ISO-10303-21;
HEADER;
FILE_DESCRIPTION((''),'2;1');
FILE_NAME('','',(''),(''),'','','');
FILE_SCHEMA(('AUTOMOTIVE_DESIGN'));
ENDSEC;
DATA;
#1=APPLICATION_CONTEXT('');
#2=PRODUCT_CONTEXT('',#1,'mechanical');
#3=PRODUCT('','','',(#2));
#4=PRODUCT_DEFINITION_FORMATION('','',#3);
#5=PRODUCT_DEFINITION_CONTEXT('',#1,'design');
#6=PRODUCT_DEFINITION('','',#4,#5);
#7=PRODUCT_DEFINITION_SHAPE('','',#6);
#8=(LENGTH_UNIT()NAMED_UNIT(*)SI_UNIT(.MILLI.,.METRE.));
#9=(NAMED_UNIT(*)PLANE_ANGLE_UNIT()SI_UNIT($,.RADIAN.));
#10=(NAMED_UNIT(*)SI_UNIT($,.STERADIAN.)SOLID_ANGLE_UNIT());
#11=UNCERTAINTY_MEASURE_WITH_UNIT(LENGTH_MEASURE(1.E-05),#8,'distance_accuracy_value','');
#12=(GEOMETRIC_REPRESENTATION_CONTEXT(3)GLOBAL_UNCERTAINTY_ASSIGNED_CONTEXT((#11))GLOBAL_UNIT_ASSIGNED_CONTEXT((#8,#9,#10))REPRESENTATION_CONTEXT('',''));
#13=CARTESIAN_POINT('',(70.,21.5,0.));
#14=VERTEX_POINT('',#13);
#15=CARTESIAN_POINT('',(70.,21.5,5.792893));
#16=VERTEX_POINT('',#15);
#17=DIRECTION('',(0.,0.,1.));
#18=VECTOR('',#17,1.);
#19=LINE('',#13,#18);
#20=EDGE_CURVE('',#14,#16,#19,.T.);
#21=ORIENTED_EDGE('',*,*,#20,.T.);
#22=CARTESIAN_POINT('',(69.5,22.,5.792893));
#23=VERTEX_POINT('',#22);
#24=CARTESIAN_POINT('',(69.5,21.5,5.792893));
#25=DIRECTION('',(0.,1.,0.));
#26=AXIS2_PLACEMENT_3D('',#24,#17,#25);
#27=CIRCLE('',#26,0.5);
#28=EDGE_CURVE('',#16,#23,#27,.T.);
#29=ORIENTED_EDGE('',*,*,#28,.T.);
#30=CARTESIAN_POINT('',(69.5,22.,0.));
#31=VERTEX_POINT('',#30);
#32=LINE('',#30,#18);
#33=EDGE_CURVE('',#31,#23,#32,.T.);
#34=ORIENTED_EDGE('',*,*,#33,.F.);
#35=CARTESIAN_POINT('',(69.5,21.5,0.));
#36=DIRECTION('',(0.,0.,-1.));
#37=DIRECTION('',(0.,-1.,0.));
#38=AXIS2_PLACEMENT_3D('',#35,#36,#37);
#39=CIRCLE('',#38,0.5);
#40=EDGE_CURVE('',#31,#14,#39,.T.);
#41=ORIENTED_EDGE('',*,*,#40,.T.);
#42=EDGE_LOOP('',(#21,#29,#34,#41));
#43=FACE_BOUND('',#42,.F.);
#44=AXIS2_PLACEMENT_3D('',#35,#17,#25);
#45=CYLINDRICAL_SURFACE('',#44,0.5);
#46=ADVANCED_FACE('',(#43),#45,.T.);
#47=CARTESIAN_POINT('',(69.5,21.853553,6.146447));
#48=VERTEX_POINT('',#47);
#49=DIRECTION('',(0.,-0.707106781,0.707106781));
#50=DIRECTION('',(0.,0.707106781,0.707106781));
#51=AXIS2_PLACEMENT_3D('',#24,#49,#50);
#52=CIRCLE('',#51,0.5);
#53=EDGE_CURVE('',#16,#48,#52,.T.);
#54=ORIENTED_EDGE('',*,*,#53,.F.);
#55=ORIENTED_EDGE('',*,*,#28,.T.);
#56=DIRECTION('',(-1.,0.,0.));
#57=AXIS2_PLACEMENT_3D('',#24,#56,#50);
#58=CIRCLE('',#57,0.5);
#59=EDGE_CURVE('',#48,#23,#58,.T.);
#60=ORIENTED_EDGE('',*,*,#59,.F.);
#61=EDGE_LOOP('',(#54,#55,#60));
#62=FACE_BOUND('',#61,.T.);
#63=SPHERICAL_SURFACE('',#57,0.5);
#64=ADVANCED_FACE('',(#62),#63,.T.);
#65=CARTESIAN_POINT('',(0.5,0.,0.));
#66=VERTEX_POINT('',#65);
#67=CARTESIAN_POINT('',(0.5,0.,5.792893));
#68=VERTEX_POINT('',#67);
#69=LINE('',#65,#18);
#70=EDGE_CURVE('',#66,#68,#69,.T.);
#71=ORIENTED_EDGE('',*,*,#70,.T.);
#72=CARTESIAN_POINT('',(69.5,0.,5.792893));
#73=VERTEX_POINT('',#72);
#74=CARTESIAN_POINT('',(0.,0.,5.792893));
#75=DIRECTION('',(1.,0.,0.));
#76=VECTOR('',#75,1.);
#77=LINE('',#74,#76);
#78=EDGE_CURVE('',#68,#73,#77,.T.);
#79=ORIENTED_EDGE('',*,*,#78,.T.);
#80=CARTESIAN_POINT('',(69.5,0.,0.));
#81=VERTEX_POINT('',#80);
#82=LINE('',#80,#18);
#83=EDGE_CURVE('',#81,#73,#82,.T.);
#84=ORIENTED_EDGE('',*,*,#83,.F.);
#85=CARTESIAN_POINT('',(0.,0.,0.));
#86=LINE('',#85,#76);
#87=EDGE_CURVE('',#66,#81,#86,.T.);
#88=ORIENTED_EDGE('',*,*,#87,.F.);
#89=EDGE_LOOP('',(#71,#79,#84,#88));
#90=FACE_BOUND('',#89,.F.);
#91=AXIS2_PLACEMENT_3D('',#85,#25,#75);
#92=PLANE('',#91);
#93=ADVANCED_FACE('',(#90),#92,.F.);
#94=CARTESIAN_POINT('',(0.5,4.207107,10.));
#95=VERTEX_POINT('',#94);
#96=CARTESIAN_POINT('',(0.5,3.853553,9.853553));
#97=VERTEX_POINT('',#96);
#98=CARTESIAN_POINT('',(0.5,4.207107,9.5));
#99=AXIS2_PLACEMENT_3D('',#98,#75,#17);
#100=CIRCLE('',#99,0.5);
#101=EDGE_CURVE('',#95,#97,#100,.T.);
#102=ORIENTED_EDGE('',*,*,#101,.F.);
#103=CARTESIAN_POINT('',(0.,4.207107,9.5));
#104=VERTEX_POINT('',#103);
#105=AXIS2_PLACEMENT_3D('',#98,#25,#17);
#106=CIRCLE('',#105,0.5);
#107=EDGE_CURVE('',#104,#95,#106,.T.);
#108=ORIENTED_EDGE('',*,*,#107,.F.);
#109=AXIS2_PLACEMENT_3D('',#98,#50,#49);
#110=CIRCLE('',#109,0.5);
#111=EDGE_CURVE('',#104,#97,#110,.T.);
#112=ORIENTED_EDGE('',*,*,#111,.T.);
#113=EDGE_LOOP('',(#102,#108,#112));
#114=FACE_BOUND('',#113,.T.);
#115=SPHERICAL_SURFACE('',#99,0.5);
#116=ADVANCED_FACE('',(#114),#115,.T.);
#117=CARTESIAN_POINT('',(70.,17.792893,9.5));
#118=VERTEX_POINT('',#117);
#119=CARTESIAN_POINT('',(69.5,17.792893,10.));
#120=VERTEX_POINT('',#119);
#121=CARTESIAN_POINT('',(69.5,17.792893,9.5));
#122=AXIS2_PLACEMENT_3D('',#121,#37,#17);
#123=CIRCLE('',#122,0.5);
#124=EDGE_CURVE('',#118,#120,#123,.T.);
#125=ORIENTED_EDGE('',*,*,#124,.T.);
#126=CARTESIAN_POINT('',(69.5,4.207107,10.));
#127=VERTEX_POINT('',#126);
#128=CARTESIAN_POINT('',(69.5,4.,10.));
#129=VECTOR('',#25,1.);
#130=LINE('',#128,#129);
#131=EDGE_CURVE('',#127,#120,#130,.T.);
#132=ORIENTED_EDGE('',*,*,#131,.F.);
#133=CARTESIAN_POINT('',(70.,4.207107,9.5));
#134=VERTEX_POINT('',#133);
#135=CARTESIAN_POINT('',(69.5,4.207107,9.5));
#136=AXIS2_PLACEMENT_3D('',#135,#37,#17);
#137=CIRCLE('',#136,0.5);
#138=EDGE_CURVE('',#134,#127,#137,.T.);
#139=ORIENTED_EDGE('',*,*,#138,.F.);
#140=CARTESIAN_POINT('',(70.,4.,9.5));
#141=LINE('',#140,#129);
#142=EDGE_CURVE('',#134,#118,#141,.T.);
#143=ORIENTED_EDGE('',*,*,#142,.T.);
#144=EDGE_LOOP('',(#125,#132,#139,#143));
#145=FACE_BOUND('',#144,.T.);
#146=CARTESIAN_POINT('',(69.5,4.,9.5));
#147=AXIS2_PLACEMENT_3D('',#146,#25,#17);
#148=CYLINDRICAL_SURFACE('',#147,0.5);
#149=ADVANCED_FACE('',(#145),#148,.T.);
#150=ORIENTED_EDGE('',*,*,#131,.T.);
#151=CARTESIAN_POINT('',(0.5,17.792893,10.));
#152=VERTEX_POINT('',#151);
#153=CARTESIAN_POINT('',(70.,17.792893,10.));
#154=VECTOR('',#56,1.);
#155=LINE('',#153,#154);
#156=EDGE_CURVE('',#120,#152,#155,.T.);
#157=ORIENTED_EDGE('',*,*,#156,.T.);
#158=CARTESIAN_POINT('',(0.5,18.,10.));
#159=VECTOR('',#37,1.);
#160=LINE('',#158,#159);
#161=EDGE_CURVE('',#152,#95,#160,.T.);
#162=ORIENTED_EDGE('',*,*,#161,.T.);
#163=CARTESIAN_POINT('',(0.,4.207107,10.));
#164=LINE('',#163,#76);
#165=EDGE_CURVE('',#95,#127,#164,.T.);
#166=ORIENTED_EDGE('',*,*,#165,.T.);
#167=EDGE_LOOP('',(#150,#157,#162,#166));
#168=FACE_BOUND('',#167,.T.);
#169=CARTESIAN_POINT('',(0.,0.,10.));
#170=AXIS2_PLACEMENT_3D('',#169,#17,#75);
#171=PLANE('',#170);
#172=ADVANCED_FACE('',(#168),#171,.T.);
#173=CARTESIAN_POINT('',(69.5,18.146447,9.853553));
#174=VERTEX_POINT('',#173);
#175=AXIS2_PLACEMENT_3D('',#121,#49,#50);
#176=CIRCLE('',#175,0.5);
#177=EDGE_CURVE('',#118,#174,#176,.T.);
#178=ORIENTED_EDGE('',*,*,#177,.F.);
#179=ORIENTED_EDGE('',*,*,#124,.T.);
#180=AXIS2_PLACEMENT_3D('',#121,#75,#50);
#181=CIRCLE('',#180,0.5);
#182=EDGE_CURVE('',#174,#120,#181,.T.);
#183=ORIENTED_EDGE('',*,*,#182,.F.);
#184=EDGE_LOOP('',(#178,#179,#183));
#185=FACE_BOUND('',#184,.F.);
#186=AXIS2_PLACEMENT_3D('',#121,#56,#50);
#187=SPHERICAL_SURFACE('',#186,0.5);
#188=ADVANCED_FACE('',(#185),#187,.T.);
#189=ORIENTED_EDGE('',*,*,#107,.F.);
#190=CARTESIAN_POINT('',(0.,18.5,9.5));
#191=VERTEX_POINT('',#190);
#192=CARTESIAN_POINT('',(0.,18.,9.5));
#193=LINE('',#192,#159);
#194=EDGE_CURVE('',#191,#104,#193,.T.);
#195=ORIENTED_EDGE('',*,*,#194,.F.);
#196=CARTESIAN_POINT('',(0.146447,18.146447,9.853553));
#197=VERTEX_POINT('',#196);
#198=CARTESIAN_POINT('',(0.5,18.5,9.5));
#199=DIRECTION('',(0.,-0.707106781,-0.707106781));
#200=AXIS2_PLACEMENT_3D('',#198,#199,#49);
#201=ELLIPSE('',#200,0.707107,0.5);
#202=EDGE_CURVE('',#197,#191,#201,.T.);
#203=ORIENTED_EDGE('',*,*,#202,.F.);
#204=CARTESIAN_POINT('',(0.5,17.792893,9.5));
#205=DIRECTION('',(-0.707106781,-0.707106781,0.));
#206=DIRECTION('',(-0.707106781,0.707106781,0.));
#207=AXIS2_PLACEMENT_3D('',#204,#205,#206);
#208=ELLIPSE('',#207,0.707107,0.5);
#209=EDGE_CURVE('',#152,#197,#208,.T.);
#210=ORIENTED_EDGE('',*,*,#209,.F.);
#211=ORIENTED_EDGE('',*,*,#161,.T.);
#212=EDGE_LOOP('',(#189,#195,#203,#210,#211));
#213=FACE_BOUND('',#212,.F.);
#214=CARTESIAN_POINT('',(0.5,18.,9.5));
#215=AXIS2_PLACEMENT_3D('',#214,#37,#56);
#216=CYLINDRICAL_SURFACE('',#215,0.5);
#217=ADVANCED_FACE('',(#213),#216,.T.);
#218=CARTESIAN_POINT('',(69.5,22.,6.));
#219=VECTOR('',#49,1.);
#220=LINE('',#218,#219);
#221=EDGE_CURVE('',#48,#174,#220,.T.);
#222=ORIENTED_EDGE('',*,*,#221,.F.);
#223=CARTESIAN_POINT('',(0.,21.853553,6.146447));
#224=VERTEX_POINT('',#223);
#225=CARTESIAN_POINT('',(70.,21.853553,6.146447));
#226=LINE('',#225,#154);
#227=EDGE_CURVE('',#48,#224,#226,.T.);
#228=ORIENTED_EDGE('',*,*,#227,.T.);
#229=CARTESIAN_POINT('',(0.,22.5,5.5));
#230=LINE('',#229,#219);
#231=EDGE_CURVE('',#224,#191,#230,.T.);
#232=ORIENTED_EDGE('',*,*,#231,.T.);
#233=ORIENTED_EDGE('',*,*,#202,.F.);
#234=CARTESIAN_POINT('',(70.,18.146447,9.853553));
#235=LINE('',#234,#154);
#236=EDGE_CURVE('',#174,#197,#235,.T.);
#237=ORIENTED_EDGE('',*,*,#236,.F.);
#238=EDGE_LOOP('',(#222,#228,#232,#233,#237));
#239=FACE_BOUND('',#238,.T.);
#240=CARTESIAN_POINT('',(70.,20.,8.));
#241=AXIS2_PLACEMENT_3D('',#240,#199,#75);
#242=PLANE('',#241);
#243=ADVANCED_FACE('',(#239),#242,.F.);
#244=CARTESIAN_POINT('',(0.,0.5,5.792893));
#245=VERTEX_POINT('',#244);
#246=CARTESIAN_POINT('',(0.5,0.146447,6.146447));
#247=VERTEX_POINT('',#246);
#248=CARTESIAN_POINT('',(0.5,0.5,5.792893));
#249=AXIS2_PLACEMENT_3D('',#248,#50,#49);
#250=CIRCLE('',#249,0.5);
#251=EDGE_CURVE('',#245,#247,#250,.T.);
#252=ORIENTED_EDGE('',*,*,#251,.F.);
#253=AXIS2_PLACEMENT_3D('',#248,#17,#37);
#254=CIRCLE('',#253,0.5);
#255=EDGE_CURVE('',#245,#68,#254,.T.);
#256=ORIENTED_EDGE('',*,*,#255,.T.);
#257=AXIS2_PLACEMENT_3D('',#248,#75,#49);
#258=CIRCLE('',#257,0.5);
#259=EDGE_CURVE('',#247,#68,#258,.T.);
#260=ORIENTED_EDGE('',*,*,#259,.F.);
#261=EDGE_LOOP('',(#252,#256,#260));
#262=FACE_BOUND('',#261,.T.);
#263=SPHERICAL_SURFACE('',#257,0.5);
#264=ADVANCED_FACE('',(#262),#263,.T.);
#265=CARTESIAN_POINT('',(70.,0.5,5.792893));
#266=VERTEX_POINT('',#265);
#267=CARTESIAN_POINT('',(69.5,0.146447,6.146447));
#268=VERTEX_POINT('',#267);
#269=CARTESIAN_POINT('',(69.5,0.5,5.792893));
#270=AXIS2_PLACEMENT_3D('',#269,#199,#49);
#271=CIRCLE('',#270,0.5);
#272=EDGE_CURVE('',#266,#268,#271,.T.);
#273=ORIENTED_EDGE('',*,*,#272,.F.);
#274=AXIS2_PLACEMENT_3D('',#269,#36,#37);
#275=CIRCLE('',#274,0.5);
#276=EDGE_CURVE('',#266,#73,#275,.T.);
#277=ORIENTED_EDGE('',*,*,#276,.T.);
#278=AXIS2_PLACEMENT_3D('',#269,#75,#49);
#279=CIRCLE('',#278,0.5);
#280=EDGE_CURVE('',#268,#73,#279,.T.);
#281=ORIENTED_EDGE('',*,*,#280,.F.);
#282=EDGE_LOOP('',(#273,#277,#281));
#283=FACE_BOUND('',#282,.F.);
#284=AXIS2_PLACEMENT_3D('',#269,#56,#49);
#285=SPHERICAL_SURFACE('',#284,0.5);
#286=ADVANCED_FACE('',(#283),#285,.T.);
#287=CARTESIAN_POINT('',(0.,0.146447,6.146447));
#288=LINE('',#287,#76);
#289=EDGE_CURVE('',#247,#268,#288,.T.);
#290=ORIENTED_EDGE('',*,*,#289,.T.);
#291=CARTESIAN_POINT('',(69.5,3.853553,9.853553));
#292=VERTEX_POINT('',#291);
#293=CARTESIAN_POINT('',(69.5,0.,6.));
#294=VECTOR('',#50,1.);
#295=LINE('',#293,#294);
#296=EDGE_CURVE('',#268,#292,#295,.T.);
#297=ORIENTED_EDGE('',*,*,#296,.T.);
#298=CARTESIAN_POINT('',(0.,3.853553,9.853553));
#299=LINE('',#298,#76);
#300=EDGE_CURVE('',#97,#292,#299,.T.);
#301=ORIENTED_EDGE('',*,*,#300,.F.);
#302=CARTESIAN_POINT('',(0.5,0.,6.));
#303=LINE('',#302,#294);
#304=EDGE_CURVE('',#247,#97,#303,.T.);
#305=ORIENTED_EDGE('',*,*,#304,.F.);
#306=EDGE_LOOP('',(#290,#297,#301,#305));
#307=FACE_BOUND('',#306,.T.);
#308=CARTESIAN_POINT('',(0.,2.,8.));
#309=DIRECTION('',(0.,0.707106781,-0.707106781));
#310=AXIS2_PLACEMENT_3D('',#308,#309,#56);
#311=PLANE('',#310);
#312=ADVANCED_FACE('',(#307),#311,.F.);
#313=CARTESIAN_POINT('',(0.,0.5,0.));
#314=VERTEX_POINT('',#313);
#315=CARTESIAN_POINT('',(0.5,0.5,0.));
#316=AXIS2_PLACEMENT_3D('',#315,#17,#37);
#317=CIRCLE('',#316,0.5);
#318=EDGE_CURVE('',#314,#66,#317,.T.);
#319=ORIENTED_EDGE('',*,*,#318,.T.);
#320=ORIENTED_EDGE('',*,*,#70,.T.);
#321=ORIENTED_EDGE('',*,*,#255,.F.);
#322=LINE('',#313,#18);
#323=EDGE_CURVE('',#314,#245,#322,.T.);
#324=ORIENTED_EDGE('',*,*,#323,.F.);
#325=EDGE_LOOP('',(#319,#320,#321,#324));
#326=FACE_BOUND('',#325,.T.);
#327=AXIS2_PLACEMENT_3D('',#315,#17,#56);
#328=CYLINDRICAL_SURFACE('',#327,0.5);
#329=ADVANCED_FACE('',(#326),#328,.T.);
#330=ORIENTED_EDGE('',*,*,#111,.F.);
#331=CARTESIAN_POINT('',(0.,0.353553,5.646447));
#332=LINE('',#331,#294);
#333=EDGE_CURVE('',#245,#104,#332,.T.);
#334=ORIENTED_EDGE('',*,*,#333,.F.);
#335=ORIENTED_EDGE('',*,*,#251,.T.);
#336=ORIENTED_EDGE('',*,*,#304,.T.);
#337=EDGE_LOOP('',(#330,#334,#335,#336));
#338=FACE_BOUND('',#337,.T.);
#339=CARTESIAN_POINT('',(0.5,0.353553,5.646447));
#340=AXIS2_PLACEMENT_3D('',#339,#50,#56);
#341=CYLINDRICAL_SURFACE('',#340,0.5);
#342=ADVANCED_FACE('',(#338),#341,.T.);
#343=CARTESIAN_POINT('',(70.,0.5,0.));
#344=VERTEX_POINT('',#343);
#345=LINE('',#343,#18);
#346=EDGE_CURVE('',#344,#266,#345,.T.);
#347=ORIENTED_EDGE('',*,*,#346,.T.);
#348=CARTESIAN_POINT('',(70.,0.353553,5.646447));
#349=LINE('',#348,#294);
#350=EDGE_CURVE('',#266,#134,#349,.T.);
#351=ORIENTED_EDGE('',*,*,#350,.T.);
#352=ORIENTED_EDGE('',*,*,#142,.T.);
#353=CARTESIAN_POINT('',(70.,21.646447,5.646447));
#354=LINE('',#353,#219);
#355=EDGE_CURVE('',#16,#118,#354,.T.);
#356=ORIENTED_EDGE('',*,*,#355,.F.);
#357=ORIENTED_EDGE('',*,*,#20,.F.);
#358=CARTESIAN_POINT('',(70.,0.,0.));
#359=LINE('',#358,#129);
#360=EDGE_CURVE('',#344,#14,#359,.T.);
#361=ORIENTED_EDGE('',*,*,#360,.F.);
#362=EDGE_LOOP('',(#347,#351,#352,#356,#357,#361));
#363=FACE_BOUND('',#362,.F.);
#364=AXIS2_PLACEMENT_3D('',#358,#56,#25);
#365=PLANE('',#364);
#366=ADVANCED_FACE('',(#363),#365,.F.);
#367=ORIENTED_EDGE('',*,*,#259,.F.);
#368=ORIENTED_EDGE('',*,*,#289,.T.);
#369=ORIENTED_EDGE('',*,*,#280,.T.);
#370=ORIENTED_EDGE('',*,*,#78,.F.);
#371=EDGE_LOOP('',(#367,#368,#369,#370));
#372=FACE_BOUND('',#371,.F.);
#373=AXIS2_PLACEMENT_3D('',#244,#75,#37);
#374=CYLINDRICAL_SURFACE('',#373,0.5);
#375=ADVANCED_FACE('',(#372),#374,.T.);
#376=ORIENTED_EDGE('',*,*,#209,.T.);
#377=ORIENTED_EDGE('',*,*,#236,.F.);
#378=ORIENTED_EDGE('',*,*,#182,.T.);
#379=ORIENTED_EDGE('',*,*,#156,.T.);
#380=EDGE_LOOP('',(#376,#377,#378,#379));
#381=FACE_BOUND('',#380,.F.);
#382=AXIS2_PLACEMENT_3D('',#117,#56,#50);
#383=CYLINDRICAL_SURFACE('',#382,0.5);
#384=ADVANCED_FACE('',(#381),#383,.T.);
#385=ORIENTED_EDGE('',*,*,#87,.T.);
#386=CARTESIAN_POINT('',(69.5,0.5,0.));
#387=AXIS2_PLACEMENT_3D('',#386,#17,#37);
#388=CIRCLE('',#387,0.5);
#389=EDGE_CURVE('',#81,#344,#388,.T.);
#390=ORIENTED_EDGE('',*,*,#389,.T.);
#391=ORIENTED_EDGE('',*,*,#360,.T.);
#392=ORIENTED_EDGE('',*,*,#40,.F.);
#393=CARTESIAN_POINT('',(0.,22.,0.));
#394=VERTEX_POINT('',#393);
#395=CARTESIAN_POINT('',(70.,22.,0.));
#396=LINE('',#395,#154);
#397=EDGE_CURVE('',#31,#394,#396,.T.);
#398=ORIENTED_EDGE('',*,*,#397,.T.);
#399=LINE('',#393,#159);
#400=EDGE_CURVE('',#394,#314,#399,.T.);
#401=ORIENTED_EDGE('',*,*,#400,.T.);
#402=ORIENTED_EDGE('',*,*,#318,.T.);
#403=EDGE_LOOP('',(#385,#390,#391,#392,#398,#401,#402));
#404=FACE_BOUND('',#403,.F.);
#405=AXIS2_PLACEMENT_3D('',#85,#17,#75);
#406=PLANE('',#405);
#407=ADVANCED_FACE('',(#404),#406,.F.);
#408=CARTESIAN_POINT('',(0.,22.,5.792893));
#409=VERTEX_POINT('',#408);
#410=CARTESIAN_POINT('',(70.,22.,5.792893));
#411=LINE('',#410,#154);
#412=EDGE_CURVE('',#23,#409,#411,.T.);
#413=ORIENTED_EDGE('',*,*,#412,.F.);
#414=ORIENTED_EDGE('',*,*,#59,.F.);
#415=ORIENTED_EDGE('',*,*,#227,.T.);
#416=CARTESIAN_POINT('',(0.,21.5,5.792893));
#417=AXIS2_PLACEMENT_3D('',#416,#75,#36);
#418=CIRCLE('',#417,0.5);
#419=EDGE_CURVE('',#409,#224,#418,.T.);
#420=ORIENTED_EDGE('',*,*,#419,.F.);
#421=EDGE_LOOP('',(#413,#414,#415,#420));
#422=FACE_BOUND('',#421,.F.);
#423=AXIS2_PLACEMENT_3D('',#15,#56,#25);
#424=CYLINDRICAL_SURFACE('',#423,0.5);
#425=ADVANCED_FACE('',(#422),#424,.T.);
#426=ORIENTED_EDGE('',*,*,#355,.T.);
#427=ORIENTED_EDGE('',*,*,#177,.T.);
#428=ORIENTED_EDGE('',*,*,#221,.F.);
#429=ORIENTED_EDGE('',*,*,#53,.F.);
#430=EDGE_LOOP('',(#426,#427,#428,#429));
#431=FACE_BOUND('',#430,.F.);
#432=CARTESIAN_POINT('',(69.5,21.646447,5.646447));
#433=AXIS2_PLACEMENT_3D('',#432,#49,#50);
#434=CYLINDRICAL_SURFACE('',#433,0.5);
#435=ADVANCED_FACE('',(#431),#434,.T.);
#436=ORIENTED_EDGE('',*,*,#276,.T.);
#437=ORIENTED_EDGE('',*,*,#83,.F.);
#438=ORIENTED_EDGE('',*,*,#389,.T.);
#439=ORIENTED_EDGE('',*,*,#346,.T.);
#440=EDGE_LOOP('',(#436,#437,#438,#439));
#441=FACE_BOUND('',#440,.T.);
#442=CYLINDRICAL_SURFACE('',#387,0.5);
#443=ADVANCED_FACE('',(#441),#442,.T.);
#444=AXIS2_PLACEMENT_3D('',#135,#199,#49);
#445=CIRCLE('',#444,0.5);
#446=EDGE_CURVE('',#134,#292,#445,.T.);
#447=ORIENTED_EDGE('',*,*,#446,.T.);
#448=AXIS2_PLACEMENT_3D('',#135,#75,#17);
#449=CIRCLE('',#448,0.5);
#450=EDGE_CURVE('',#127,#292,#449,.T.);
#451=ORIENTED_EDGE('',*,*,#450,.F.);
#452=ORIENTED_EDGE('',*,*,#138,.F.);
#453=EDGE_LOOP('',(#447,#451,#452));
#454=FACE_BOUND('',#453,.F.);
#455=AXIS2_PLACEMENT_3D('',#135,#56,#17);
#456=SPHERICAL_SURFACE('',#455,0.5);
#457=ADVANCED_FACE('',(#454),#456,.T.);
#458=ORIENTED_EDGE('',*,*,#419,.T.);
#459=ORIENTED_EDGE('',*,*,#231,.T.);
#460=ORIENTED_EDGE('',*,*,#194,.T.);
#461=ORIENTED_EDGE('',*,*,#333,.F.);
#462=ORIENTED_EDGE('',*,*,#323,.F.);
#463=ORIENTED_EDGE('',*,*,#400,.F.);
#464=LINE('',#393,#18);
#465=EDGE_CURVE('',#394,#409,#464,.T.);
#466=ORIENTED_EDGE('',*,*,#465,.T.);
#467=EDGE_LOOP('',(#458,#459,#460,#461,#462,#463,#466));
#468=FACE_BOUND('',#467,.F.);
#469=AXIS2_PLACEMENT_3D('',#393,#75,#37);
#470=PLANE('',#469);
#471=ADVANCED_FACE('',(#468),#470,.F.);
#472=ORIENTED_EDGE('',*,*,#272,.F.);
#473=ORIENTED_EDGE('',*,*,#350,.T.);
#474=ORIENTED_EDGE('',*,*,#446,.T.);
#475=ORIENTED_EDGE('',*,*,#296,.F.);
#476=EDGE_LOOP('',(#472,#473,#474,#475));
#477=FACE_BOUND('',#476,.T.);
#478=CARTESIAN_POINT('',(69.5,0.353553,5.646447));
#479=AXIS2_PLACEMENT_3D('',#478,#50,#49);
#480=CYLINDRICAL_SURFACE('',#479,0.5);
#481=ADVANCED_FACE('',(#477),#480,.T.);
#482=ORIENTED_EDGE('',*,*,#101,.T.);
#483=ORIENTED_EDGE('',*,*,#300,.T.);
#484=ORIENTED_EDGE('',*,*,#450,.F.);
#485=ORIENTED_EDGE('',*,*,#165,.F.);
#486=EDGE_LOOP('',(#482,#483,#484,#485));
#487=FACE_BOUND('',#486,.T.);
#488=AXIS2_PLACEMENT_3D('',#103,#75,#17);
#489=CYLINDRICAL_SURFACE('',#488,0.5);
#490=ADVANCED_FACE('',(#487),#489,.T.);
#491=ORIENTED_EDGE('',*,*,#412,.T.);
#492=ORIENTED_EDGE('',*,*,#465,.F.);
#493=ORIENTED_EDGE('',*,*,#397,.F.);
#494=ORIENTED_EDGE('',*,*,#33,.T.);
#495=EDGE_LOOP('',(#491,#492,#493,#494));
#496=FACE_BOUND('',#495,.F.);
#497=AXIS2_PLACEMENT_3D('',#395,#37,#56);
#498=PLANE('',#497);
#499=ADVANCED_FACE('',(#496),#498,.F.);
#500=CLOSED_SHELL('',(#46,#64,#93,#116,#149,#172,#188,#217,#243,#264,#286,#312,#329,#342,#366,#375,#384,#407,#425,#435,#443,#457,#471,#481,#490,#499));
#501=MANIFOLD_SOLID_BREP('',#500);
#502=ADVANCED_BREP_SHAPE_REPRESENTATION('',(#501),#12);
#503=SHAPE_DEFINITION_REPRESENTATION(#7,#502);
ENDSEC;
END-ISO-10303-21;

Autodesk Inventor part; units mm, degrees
ref_plane "YZ Plane" through (0, 0, 0) normal (1, 0, 0) x (0, 1, 0)
ref_plane "XZ Plane" through (0, 0, 0) normal (0, 1, 0) x (-1, 0, 0)
ref_plane "XY Plane" through (0, 0, 0) normal (0, 0, 1) x (1, 0, 0)
sketch "Sketch1" plane through (0, 0, 0) normal (0, 0, 1) x (1, 0, 0)
  line L0 (0, 0) -> (70, 0)
  line L1 (70, 0) -> (70, 22)
  line L2 (70, 22) -> (0, 22)
  line L3 (0, 22) -> (0, 0)
  dimension "d0" = 70
  dimension "d1" = 22
extrude "Extrusion1" add sketch "Sketch1" along normal blind 10
chamfer "Chamfer1" distance 4 angle 45 2 edges at (35, 22, 10) (35, 0, 10)
fillet "Fillet1" radius 0.5 12 edges at (35, 22, 6) (35, 18, 10) (70, 20, 8) (70, 22, 3) (70, 11, 10) (70, 2, 8) (70, 0, 3) (35, 4, 10) (0, 11, 10) (0, 2, 8) (0, 0, 3) (35, 0, 6)
properties part number "batt_cap" material "Glass"
